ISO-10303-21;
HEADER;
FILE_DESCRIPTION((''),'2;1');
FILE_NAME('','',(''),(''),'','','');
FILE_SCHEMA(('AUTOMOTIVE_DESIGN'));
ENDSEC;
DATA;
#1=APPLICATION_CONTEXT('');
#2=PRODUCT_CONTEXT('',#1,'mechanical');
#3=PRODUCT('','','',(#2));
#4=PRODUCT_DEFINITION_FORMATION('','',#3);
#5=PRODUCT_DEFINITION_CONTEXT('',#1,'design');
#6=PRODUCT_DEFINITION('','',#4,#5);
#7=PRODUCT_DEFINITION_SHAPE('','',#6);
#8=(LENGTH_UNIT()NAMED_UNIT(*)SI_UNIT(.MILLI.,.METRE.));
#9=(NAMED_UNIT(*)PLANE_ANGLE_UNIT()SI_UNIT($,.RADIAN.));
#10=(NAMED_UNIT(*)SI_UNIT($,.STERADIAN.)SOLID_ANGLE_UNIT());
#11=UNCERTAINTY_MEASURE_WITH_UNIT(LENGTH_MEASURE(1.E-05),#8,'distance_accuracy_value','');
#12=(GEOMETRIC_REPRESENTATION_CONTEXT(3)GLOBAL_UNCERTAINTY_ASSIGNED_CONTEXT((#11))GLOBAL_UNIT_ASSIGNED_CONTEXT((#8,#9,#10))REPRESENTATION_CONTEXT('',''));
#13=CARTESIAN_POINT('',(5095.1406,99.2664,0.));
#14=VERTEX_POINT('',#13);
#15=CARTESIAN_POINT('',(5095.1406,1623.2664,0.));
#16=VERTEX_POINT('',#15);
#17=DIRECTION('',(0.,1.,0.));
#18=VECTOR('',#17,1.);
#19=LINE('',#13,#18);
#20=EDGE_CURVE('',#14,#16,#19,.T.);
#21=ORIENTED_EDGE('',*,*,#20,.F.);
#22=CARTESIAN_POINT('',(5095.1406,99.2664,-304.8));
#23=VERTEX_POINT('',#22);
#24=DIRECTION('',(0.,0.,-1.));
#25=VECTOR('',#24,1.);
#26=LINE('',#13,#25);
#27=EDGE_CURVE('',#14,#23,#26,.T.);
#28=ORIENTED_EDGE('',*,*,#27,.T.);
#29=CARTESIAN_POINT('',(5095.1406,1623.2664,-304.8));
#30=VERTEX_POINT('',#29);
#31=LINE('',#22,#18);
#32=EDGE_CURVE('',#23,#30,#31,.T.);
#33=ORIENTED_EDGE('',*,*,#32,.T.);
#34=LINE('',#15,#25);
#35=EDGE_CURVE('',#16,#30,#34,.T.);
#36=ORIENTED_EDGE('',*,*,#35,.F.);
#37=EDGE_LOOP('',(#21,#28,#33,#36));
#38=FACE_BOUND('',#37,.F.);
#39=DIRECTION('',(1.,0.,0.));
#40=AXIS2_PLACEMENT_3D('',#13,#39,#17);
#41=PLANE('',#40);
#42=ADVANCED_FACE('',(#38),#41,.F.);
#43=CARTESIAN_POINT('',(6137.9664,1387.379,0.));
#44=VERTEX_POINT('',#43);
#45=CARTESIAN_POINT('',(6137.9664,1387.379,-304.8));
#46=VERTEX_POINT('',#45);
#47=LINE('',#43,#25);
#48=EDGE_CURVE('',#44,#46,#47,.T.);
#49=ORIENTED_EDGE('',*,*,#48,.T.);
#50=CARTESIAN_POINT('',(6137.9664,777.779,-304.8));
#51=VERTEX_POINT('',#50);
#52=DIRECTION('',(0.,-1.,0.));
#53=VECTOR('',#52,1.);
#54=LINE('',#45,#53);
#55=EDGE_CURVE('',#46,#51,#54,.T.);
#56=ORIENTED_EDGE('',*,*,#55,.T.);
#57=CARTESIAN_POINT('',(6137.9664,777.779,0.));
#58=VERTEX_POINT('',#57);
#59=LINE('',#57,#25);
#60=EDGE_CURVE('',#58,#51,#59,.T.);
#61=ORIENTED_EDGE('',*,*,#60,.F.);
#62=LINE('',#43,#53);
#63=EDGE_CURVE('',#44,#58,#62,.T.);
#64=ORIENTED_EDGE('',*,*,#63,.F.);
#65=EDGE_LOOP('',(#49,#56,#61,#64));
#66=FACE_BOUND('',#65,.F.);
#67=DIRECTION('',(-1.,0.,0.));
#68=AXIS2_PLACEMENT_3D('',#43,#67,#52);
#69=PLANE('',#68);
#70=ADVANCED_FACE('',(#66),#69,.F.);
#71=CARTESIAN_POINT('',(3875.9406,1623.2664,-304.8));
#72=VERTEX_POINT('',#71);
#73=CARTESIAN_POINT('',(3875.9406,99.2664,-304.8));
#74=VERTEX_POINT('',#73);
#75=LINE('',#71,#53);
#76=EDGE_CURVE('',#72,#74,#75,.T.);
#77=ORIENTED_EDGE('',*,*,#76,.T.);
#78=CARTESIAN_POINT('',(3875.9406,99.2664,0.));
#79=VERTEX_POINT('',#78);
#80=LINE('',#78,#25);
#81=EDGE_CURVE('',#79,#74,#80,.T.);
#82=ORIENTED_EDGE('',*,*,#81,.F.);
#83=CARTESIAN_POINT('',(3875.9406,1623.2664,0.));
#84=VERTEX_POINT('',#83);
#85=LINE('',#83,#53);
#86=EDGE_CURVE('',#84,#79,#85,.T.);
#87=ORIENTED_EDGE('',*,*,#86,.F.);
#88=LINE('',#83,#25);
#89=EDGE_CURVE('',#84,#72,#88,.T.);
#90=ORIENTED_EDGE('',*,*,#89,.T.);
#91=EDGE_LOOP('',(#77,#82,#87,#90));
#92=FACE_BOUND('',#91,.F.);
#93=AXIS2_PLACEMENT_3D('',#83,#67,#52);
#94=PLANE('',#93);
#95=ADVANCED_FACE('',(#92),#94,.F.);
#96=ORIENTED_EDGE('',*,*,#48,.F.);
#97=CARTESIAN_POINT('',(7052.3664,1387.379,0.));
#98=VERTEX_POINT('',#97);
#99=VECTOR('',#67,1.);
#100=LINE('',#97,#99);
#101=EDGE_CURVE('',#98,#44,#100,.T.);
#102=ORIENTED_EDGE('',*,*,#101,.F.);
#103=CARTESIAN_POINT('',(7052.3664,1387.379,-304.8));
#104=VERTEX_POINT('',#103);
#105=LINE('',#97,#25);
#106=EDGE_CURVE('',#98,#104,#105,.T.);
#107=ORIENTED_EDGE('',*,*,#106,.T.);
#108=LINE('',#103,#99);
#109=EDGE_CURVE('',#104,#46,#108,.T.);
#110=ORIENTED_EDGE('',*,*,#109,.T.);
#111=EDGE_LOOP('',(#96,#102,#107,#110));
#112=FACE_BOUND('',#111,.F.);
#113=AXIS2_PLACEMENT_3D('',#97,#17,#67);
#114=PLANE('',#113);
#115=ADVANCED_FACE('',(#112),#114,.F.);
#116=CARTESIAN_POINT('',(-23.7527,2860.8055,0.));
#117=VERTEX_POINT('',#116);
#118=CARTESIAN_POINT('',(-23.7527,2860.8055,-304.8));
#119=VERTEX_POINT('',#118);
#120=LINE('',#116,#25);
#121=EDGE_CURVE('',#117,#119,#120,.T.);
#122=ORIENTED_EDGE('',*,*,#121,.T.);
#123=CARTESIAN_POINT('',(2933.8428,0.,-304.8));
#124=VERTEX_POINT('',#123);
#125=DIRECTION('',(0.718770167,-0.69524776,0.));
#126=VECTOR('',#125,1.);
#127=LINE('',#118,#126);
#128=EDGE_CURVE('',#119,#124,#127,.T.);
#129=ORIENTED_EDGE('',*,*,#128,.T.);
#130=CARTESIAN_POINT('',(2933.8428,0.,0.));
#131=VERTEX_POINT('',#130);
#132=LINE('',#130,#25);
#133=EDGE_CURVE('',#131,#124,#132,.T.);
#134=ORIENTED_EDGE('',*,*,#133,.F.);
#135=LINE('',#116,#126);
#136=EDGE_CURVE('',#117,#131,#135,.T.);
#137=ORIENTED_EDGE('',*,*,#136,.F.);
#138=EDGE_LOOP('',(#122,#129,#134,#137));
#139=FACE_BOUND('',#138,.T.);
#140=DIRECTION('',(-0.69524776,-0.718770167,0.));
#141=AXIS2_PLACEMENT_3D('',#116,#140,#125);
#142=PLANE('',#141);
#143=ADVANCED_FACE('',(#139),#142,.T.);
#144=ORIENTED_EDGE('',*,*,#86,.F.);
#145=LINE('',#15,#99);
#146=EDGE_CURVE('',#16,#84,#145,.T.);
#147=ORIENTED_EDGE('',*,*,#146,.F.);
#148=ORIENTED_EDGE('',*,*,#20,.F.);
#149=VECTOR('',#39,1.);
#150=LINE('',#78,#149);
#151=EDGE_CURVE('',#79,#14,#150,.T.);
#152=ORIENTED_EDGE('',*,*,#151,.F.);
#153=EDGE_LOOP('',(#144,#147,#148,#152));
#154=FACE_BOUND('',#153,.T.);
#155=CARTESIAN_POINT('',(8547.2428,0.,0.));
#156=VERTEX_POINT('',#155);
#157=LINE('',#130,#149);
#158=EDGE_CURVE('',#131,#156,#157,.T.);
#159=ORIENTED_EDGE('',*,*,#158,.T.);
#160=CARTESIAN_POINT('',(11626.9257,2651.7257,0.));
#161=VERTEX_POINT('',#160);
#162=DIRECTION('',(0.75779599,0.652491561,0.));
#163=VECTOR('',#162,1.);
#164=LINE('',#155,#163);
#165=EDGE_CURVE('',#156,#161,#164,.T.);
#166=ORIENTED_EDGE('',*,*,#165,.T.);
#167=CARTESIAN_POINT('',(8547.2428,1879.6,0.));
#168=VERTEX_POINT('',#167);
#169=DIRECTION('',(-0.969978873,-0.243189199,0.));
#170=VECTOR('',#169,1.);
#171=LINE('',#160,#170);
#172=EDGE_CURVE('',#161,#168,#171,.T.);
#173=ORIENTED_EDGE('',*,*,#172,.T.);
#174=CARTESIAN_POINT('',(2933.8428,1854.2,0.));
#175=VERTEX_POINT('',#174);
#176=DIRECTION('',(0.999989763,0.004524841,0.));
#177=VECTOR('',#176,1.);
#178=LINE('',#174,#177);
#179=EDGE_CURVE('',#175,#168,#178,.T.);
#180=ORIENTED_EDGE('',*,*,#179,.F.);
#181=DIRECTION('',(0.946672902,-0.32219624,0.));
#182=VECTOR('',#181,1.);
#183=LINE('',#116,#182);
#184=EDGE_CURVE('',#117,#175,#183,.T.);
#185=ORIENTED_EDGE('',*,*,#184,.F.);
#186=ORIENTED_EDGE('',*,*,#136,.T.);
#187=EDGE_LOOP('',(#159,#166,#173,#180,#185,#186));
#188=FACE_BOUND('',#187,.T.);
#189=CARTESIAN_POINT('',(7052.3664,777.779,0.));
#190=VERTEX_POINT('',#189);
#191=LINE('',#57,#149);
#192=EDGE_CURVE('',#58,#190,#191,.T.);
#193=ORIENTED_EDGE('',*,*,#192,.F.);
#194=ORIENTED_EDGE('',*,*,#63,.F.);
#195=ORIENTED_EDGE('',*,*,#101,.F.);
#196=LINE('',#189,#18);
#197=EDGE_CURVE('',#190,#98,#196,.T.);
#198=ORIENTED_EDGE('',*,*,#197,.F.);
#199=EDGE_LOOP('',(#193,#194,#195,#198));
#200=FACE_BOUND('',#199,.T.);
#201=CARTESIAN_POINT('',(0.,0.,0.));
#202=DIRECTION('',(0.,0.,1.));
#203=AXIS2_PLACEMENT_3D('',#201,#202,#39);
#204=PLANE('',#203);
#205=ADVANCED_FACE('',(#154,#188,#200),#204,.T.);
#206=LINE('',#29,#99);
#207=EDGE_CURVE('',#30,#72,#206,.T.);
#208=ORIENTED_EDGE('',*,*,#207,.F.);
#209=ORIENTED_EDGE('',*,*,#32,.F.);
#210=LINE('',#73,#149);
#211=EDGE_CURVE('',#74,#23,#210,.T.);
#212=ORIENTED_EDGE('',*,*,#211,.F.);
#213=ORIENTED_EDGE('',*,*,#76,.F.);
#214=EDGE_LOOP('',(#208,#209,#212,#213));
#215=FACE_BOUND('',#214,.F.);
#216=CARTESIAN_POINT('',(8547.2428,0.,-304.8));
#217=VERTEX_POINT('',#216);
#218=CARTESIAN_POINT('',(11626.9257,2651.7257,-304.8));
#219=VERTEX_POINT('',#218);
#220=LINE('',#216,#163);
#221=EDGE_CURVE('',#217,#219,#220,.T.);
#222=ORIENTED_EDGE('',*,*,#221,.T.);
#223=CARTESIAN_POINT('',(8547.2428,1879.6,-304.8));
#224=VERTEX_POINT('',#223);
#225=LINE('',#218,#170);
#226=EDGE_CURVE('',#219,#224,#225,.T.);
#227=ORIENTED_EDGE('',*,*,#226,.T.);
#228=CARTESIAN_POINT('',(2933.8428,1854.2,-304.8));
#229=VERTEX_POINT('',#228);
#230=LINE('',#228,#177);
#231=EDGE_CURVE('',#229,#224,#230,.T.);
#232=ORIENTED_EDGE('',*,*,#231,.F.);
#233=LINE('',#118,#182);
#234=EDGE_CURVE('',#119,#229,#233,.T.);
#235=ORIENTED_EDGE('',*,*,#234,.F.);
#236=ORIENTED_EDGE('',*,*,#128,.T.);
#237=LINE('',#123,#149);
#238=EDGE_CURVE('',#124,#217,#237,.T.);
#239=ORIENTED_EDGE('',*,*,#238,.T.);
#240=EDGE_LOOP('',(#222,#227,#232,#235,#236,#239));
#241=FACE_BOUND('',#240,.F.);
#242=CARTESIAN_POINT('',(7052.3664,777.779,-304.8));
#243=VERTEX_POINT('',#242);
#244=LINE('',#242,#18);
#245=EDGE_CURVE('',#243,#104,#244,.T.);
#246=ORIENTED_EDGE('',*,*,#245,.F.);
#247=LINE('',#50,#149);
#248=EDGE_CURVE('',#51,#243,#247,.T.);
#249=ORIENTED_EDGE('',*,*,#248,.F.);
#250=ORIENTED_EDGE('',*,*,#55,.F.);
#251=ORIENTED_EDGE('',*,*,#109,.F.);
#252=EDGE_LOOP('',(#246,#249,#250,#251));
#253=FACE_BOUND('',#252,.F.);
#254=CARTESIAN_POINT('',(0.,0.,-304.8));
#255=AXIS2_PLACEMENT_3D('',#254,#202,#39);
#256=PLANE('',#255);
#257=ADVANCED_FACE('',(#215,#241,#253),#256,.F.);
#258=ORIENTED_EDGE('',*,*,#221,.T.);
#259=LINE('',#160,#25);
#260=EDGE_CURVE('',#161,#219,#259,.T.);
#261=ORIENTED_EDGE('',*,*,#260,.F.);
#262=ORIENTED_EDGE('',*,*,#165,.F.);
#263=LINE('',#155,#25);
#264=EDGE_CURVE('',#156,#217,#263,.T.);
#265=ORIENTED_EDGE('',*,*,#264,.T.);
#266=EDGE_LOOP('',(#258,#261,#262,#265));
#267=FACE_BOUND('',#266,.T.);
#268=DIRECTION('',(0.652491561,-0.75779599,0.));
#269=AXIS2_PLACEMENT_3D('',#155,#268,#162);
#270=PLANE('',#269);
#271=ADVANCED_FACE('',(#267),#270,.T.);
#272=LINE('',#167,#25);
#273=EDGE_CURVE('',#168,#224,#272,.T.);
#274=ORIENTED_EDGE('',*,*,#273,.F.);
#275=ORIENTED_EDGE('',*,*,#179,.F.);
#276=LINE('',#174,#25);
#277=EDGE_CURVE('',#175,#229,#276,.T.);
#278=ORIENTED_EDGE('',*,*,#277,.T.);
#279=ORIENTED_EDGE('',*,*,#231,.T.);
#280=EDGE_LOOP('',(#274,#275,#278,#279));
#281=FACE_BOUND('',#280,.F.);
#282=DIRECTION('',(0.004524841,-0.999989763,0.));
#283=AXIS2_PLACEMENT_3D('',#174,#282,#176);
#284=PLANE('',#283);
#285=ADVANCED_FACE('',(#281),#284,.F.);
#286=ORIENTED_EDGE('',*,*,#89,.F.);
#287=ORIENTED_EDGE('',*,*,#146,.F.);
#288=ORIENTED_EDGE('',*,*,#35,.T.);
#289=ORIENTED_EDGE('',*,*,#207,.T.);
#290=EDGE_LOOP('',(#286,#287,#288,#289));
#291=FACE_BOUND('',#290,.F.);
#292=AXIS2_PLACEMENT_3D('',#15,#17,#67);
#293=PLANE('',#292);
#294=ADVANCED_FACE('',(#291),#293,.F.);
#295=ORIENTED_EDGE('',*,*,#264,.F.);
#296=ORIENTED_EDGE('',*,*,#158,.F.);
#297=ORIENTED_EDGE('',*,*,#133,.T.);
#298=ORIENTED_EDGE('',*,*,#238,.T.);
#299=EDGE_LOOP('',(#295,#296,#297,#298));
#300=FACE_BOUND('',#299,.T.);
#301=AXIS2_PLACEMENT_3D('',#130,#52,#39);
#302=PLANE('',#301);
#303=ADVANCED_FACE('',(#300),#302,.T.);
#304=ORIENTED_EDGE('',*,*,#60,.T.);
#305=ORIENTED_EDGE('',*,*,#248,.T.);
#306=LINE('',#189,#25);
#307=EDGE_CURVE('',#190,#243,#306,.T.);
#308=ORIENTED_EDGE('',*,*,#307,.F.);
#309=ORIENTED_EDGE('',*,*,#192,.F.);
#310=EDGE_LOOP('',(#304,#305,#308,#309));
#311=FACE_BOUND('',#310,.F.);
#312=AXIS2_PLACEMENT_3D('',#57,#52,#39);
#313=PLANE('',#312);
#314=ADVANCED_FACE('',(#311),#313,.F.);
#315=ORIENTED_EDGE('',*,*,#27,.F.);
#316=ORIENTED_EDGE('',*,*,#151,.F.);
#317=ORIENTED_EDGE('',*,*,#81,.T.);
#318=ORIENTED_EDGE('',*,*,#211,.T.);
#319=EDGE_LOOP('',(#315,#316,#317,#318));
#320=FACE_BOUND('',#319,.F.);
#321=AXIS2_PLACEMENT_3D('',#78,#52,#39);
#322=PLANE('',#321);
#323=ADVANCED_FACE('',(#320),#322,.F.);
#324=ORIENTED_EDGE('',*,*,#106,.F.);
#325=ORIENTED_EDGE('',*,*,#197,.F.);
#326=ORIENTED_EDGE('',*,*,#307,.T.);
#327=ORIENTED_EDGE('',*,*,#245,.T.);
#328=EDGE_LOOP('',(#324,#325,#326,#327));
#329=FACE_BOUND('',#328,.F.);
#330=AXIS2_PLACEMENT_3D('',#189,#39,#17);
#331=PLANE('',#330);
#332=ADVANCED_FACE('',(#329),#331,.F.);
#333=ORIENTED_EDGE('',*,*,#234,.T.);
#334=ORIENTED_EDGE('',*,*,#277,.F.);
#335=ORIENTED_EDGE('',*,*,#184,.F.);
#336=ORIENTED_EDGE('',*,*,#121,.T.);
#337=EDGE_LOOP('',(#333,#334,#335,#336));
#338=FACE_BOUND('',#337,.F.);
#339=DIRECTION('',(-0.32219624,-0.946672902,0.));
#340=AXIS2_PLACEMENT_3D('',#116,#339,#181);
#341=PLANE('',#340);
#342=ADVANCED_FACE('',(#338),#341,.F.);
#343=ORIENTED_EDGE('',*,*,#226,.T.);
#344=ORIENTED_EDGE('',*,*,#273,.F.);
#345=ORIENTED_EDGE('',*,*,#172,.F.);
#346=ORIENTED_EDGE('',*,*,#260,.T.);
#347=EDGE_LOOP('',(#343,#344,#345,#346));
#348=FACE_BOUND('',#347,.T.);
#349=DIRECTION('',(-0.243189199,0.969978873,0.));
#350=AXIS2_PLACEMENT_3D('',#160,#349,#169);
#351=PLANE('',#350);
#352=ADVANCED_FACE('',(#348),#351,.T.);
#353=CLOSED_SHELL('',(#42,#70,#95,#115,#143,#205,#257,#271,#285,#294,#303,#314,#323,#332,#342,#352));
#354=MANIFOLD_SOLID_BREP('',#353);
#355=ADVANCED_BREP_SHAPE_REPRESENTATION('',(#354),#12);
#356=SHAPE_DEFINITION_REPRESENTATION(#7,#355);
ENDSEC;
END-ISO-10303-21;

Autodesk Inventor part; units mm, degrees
ref_plane "YZ Plane" through (0, 0, 0) normal (1, 0, 0) x (0, 1, 0)
ref_plane "XZ Plane" through (0, 0, 0) normal (0, 1, 0) x (-1, 0, 0)
ref_plane "XY Plane" through (0, 0, 0) normal (0, 0, 1) x (1, 0, 0)
sketch "Sketch1" plane through (0, 0, 0) normal (0, 0, 1) x (1, 0, 0)
  line L0 (-23.7527, 2860.8055) -> (2933.8428, 0)
  line L1 (2933.8428, 0) -> (2933.8428, 1854.2)
  line L2 (2933.8428, 0) -> (8547.2428, 0)
  line L3 (8547.2428, 0) -> (8547.2428, 1879.6)
  line L4 (2933.8428, 1854.2) -> (2933.8428, 0)
  line L5 (8547.2428, 0) -> (11626.9257, 2651.7257)
  line L6 (11626.9257, 2651.7257) -> (8547.2428, 1879.6)
  line L7 (3875.9406, 99.2664) -> (5095.1406, 99.2664)
  line L8 (5095.1406, 99.2664) -> (5095.1406, 1623.2664)
  line L9 (5095.1406, 1623.2664) -> (3875.9406, 1623.2664)
  line L10 (3875.9406, 1623.2664) -> (3875.9406, 99.2664)
  line L11 (3875.9406, 99.2664) -> (5095.1406, 1623.2664) construction
  line L12 (5095.1406, 99.2664) -> (3875.9406, 1623.2664) construction
  line L13 (-23.7527, 2860.8055) -> (2933.8428, 1854.2)
  line L14 (2933.8428, 1854.2) -> (8547.2428, 1879.6)
  line L15 (6137.9664, 777.779) -> (7052.3664, 777.779)
  line L16 (7052.3664, 777.779) -> (7052.3664, 1387.379)
  line L17 (7052.3664, 1387.379) -> (6137.9664, 1387.379)
  line L18 (6137.9664, 1387.379) -> (6137.9664, 777.779)
  line L19 (6137.9664, 777.779) -> (7052.3664, 1387.379) construction
  line L20 (7052.3664, 777.779) -> (6137.9664, 1387.379) construction
  point P0 (0, 0)
  point P1 (4485.5406, 861.2664)
  point P2 (6595.1664, 1082.579)
  dimension "d2" = 5613.4
  dimension "d5" = 1219.2
  dimension "d6" = 1524
  dimension "d8" = 4114.8
  dimension "d11" = 1854.2
  dimension "d12" = 3124.2
  dimension "d13" = 1879.6
  dimension "d14" = 4064
  dimension "d15" = 3175
  dimension "d16" = 914.4
  dimension "d17" = 609.6
extrude "Extrusion1" add sketch "Sketch1" against normal blind 304.8
properties part number "unwrappedDormerWestFacingDriveway"
